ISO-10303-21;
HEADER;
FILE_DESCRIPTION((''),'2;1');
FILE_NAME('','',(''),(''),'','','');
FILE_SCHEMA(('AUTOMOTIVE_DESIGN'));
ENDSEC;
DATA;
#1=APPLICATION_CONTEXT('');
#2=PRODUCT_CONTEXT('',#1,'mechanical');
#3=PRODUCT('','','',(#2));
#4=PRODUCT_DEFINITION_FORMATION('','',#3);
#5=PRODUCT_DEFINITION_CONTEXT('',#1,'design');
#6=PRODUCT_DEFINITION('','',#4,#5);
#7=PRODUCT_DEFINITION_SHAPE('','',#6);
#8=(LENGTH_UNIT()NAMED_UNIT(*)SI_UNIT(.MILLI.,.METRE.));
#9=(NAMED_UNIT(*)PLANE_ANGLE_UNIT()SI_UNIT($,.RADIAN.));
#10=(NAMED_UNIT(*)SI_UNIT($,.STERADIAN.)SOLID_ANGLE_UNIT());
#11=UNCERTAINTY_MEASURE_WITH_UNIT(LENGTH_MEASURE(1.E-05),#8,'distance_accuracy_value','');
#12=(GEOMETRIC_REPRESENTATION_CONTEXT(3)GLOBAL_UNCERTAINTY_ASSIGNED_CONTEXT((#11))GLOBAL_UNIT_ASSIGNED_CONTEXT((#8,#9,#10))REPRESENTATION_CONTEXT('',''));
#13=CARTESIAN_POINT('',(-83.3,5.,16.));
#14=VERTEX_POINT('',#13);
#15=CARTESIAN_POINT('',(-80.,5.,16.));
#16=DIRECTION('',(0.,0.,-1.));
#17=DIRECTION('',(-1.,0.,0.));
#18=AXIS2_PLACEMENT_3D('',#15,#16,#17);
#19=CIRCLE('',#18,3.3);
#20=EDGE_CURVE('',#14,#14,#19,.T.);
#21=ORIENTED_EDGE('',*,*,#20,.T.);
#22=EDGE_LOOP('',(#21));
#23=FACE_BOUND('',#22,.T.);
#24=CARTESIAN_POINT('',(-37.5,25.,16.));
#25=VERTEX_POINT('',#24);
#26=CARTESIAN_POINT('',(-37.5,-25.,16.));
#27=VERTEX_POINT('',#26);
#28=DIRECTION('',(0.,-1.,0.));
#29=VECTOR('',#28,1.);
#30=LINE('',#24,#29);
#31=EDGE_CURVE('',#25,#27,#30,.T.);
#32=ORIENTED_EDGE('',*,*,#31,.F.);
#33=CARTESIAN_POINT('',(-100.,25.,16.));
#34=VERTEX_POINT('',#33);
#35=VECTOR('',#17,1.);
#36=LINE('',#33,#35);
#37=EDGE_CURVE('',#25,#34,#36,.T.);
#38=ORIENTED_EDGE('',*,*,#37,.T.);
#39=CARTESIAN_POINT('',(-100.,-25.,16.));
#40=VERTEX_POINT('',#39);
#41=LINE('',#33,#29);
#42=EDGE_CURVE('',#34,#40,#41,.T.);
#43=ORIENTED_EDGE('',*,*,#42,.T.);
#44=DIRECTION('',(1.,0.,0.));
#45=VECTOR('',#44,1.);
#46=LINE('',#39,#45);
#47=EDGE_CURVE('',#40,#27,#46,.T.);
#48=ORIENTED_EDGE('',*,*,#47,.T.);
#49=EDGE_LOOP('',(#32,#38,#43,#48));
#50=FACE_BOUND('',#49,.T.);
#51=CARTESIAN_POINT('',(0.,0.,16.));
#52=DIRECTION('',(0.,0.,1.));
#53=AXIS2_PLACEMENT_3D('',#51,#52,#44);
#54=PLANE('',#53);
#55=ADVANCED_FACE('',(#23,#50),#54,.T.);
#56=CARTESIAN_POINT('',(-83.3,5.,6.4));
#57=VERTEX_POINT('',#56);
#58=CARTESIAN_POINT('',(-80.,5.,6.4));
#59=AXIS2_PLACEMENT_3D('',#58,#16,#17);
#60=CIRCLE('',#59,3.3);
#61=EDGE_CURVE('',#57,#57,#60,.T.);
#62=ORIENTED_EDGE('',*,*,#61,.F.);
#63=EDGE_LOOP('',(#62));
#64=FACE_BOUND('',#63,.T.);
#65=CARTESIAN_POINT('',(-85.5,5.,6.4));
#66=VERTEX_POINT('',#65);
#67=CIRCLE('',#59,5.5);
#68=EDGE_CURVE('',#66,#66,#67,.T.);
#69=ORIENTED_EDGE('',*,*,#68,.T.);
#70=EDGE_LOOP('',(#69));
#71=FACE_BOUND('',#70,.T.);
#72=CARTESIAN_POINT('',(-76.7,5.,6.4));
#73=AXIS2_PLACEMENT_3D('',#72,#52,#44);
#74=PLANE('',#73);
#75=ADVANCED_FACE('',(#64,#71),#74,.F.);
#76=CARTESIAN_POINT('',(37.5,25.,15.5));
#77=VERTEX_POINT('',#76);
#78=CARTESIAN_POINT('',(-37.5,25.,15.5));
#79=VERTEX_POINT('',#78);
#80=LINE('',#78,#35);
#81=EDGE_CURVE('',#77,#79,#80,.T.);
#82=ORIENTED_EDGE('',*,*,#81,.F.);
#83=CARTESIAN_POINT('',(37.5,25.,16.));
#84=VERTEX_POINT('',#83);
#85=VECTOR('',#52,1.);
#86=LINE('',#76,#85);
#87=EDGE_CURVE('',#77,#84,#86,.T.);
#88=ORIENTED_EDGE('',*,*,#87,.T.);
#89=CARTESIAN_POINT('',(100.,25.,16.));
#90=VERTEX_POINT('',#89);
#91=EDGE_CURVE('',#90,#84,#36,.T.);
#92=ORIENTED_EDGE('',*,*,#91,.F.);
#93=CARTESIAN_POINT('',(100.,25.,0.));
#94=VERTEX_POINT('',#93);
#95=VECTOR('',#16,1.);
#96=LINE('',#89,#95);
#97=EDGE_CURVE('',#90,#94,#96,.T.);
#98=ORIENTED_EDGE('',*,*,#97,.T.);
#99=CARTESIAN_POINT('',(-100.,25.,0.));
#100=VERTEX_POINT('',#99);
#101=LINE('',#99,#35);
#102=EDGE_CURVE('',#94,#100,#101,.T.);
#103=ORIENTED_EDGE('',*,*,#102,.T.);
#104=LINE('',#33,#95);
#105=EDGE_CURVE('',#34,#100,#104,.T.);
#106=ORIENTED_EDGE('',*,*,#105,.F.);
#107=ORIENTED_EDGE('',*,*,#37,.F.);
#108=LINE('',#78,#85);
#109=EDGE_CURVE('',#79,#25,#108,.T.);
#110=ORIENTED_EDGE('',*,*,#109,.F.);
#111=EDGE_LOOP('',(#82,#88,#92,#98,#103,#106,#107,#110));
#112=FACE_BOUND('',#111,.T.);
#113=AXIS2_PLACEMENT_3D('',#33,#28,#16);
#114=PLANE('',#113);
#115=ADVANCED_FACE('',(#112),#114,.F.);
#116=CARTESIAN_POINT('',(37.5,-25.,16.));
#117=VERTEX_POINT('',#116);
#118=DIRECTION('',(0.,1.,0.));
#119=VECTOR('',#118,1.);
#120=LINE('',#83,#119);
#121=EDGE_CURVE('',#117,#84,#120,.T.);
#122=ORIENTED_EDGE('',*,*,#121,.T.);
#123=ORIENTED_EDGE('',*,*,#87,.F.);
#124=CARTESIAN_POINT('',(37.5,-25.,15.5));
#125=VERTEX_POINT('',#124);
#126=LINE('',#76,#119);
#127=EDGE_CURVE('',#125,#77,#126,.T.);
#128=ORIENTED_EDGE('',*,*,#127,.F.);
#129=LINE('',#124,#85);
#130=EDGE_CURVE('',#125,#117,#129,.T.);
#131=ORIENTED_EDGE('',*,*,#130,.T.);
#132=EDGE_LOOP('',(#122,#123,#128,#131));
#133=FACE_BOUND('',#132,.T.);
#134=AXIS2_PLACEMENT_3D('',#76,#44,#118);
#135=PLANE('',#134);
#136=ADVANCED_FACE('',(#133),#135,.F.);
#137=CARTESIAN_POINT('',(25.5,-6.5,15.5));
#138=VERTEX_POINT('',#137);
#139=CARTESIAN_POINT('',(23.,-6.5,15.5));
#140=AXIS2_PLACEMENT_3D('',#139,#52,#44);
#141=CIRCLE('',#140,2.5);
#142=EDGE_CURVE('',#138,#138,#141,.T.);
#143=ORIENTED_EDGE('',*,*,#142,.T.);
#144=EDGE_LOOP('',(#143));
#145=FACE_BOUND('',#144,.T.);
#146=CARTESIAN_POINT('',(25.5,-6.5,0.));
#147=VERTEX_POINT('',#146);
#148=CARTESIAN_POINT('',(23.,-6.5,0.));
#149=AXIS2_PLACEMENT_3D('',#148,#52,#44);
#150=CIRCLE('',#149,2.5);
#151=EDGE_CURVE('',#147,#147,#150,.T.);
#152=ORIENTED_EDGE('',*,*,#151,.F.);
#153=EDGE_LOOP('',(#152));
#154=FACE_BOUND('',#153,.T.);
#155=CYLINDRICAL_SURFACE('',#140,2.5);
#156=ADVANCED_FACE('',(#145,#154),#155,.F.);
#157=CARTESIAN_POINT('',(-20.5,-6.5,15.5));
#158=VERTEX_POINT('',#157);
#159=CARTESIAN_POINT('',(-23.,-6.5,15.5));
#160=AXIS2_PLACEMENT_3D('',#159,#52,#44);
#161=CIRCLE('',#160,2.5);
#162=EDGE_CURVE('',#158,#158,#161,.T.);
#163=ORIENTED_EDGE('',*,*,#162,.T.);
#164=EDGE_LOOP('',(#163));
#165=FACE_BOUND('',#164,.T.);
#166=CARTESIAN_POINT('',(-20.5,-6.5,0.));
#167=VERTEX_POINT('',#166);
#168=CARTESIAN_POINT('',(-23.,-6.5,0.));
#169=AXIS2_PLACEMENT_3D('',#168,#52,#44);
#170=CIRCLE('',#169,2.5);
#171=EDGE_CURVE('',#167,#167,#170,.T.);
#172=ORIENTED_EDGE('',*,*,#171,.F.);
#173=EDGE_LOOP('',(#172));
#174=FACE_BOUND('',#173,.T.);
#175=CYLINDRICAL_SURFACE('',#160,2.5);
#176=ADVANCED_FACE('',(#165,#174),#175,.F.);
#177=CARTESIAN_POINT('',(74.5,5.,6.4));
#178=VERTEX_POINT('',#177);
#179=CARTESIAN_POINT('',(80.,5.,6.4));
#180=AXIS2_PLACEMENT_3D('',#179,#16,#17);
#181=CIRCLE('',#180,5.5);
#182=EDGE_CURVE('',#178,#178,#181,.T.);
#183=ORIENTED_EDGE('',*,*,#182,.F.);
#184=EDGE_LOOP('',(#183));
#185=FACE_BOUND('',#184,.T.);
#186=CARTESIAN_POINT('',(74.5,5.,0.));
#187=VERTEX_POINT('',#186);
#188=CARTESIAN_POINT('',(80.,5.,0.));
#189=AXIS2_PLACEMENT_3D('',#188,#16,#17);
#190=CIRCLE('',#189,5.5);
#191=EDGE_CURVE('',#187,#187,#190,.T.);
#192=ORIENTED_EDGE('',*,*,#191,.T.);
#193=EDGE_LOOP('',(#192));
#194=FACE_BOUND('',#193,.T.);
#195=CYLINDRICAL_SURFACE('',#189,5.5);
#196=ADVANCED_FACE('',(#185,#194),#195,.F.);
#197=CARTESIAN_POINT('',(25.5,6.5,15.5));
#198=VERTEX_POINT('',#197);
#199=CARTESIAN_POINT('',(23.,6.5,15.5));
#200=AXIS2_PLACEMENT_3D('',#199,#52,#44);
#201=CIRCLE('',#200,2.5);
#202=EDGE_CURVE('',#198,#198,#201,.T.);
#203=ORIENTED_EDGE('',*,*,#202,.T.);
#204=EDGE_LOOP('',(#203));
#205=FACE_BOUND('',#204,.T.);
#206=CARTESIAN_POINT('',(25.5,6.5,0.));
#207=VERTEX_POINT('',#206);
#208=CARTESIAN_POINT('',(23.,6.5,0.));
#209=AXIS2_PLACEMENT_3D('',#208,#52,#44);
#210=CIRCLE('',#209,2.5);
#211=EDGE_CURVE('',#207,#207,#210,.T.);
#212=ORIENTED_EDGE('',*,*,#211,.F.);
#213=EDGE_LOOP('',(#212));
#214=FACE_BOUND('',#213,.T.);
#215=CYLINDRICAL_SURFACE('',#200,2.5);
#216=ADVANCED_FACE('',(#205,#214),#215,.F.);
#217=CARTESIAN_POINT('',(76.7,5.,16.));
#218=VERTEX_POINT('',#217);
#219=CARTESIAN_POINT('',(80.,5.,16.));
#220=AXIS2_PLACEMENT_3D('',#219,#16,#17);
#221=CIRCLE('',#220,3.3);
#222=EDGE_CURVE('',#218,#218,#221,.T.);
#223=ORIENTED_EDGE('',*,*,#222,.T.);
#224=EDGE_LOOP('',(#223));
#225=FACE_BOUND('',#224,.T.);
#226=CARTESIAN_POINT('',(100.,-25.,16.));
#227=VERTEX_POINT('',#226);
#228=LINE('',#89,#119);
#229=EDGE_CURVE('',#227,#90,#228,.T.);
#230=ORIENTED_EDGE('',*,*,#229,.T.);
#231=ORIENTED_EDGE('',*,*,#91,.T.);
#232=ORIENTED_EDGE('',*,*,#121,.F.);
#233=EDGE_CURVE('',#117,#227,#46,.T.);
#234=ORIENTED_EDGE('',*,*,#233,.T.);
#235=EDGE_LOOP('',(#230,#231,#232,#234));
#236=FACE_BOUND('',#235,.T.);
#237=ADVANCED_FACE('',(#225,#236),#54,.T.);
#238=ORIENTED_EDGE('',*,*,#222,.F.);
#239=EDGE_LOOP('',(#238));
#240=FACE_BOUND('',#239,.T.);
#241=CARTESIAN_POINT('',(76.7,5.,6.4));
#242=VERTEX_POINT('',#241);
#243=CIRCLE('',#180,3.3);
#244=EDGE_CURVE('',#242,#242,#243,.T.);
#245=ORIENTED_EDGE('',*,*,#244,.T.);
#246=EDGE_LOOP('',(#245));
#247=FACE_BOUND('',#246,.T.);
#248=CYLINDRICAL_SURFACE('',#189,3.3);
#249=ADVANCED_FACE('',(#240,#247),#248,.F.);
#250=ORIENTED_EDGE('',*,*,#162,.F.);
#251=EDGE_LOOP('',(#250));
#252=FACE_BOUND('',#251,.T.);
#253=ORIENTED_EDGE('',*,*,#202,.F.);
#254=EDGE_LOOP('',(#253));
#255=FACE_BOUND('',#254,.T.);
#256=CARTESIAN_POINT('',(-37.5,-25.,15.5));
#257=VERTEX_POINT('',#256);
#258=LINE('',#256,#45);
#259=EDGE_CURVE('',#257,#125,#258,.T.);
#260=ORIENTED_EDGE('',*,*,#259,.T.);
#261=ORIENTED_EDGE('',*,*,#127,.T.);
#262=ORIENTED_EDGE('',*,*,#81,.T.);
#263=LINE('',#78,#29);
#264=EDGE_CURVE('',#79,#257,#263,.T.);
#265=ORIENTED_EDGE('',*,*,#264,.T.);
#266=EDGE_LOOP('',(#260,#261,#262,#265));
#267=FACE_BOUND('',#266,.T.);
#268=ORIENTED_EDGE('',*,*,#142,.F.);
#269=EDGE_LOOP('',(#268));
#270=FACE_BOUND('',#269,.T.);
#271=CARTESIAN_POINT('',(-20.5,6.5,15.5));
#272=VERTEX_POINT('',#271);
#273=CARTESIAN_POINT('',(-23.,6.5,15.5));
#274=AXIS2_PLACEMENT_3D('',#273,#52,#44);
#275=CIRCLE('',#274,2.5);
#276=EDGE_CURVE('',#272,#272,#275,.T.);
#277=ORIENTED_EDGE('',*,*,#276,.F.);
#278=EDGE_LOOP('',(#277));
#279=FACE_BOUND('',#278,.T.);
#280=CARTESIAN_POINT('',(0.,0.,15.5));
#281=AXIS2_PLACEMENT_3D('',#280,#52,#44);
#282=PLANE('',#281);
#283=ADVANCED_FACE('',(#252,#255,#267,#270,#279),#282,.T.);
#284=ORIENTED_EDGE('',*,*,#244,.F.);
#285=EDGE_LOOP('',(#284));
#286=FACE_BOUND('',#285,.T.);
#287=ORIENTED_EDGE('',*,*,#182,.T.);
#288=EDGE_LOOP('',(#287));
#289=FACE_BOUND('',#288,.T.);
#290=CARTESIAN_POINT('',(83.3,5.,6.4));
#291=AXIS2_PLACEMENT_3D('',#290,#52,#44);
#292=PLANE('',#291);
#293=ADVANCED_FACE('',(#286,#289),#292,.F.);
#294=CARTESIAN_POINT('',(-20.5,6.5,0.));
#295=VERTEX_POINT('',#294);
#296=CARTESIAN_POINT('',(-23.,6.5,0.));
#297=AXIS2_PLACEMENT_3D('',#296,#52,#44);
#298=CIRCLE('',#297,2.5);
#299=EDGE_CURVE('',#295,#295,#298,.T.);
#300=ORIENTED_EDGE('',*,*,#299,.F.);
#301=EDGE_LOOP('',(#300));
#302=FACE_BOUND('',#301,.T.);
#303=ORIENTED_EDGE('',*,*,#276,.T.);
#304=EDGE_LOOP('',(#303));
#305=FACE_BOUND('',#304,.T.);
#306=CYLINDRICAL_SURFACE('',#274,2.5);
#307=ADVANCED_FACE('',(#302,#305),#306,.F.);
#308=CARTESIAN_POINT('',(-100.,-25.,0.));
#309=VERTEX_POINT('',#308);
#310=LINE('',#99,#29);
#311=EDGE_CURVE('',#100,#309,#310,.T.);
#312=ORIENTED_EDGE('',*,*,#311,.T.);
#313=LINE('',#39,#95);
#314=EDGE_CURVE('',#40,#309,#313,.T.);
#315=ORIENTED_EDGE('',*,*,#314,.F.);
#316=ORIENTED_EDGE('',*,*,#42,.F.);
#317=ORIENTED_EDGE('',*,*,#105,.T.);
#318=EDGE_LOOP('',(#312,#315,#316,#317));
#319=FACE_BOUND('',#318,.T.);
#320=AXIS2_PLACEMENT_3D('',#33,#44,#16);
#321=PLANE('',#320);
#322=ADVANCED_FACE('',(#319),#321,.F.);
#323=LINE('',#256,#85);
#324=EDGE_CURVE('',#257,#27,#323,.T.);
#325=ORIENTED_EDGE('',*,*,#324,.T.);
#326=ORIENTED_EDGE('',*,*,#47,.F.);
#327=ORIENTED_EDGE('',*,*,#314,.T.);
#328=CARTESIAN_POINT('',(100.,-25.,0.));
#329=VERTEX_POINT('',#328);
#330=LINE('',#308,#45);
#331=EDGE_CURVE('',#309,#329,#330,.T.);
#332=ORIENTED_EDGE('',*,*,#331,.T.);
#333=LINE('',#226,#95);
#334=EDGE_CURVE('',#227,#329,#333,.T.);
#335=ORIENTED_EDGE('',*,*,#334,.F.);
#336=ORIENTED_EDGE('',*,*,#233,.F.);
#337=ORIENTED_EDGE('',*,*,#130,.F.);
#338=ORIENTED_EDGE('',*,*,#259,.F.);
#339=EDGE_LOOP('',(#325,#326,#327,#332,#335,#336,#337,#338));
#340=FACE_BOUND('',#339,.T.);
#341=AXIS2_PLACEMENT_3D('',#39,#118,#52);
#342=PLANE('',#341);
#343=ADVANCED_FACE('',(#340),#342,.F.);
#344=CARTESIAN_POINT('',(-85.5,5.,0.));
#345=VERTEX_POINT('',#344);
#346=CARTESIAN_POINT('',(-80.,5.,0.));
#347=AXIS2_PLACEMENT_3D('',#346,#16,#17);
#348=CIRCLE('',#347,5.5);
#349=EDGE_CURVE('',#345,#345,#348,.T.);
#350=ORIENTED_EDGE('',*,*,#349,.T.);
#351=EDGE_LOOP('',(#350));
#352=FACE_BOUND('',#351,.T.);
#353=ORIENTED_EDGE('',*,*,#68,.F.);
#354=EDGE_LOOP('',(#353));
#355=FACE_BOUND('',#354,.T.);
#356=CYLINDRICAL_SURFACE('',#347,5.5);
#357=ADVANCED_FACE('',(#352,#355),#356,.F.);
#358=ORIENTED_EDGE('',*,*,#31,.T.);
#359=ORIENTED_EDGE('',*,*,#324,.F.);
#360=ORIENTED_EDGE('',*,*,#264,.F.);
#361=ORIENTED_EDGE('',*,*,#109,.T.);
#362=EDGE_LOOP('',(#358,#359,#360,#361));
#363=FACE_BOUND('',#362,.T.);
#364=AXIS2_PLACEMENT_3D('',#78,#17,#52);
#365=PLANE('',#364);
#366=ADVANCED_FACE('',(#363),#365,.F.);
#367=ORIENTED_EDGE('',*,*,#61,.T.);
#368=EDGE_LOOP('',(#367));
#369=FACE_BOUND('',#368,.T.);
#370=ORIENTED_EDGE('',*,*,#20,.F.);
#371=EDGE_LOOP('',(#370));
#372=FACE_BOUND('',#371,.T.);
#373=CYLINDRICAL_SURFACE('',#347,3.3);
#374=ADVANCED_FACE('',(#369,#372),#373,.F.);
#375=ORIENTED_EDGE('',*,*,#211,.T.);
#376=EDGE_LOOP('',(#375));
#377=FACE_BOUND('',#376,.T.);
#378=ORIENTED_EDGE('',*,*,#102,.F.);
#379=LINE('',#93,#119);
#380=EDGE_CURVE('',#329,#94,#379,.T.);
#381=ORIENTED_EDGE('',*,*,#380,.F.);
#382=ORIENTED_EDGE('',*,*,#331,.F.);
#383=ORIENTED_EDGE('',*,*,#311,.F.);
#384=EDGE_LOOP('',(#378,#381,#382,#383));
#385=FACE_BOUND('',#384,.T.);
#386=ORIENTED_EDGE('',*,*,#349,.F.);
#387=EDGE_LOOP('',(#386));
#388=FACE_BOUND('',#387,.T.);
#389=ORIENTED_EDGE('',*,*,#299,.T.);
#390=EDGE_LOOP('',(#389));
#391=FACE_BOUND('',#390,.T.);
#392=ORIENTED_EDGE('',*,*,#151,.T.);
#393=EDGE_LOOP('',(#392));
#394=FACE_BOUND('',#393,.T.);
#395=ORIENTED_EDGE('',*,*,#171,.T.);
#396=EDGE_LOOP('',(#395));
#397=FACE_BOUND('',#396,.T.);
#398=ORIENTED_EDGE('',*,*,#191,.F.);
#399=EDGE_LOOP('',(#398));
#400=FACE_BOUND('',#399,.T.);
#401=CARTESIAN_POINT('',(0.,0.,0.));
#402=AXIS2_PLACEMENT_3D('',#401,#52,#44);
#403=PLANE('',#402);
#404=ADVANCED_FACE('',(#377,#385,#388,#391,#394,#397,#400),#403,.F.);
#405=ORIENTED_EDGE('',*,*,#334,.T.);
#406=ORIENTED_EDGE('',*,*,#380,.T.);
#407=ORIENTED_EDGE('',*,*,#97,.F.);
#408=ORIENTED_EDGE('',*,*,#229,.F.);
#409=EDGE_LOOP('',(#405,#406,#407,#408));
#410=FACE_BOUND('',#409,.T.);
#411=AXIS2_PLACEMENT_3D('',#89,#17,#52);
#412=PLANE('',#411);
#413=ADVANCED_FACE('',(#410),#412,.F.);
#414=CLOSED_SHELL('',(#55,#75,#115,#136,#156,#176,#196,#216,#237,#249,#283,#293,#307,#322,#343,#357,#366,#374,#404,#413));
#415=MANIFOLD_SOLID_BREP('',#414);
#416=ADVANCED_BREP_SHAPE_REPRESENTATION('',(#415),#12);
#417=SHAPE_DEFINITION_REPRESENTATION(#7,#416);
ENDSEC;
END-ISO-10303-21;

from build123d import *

# Parameters (mm, degrees)
SKETCH1_W                                           = 200
SKETCH1_H                                           = 50
EXTRUDE1_DEPTH                                      = 16
SKETCH2_W                                           = 75
SKETCH2_H                                           = 50
EXTRUDE2_DEPTH                                      = 0.5
M6_TAPPED_HOLE1_D                                   = 5
CBORE_FOR_M6_HEX_SOCKET_HEAD_CAP_SCREW1_D           = 6.6
CBORE_FOR_M6_HEX_SOCKET_HEAD_CAP_SCREW1_CBORE_D     = 11
CBORE_FOR_M6_HEX_SOCKET_HEAD_CAP_SCREW1_CBORE_DEPTH = 6.4


with BuildPart() as part:
    # Sketch1 → Extrude1 (new body)
    with BuildSketch(Plane.XY):
        Rectangle(SKETCH1_W, SKETCH1_H)
    extrude(amount=EXTRUDE1_DEPTH)

    # Sketch2 → Extrude2 (cut)
    with BuildSketch(Plane.XY.offset(16)):
        Rectangle(SKETCH2_W, SKETCH2_H)
    extrude(amount=-EXTRUDE2_DEPTH, mode=Mode.SUBTRACT)

    # M6 Tapped Hole1 (through all)
    with Locations(Plane.XY.offset(15.5)):
        with Locations((-23, 6.5), (-23, -6.5), (23, -6.5), (23, 6.5)):
            Hole(M6_TAPPED_HOLE1_D / 2)

    # CBORE for M6 Hex Socket Head Cap Screw1 (through all)
    with Locations(Plane(origin=(0, 0, 0), x_dir=(-1, 0, 0), z_dir=(0, 0, -1))):
        with Locations((-80, 5), (80, 5)):
            CounterBoreHole(CBORE_FOR_M6_HEX_SOCKET_HEAD_CAP_SCREW1_D / 2, CBORE_FOR_M6_HEX_SOCKET_HEAD_CAP_SCREW1_CBORE_D / 2, CBORE_FOR_M6_HEX_SOCKET_HEAD_CAP_SCREW1_CBORE_DEPTH)


solid = part.part
